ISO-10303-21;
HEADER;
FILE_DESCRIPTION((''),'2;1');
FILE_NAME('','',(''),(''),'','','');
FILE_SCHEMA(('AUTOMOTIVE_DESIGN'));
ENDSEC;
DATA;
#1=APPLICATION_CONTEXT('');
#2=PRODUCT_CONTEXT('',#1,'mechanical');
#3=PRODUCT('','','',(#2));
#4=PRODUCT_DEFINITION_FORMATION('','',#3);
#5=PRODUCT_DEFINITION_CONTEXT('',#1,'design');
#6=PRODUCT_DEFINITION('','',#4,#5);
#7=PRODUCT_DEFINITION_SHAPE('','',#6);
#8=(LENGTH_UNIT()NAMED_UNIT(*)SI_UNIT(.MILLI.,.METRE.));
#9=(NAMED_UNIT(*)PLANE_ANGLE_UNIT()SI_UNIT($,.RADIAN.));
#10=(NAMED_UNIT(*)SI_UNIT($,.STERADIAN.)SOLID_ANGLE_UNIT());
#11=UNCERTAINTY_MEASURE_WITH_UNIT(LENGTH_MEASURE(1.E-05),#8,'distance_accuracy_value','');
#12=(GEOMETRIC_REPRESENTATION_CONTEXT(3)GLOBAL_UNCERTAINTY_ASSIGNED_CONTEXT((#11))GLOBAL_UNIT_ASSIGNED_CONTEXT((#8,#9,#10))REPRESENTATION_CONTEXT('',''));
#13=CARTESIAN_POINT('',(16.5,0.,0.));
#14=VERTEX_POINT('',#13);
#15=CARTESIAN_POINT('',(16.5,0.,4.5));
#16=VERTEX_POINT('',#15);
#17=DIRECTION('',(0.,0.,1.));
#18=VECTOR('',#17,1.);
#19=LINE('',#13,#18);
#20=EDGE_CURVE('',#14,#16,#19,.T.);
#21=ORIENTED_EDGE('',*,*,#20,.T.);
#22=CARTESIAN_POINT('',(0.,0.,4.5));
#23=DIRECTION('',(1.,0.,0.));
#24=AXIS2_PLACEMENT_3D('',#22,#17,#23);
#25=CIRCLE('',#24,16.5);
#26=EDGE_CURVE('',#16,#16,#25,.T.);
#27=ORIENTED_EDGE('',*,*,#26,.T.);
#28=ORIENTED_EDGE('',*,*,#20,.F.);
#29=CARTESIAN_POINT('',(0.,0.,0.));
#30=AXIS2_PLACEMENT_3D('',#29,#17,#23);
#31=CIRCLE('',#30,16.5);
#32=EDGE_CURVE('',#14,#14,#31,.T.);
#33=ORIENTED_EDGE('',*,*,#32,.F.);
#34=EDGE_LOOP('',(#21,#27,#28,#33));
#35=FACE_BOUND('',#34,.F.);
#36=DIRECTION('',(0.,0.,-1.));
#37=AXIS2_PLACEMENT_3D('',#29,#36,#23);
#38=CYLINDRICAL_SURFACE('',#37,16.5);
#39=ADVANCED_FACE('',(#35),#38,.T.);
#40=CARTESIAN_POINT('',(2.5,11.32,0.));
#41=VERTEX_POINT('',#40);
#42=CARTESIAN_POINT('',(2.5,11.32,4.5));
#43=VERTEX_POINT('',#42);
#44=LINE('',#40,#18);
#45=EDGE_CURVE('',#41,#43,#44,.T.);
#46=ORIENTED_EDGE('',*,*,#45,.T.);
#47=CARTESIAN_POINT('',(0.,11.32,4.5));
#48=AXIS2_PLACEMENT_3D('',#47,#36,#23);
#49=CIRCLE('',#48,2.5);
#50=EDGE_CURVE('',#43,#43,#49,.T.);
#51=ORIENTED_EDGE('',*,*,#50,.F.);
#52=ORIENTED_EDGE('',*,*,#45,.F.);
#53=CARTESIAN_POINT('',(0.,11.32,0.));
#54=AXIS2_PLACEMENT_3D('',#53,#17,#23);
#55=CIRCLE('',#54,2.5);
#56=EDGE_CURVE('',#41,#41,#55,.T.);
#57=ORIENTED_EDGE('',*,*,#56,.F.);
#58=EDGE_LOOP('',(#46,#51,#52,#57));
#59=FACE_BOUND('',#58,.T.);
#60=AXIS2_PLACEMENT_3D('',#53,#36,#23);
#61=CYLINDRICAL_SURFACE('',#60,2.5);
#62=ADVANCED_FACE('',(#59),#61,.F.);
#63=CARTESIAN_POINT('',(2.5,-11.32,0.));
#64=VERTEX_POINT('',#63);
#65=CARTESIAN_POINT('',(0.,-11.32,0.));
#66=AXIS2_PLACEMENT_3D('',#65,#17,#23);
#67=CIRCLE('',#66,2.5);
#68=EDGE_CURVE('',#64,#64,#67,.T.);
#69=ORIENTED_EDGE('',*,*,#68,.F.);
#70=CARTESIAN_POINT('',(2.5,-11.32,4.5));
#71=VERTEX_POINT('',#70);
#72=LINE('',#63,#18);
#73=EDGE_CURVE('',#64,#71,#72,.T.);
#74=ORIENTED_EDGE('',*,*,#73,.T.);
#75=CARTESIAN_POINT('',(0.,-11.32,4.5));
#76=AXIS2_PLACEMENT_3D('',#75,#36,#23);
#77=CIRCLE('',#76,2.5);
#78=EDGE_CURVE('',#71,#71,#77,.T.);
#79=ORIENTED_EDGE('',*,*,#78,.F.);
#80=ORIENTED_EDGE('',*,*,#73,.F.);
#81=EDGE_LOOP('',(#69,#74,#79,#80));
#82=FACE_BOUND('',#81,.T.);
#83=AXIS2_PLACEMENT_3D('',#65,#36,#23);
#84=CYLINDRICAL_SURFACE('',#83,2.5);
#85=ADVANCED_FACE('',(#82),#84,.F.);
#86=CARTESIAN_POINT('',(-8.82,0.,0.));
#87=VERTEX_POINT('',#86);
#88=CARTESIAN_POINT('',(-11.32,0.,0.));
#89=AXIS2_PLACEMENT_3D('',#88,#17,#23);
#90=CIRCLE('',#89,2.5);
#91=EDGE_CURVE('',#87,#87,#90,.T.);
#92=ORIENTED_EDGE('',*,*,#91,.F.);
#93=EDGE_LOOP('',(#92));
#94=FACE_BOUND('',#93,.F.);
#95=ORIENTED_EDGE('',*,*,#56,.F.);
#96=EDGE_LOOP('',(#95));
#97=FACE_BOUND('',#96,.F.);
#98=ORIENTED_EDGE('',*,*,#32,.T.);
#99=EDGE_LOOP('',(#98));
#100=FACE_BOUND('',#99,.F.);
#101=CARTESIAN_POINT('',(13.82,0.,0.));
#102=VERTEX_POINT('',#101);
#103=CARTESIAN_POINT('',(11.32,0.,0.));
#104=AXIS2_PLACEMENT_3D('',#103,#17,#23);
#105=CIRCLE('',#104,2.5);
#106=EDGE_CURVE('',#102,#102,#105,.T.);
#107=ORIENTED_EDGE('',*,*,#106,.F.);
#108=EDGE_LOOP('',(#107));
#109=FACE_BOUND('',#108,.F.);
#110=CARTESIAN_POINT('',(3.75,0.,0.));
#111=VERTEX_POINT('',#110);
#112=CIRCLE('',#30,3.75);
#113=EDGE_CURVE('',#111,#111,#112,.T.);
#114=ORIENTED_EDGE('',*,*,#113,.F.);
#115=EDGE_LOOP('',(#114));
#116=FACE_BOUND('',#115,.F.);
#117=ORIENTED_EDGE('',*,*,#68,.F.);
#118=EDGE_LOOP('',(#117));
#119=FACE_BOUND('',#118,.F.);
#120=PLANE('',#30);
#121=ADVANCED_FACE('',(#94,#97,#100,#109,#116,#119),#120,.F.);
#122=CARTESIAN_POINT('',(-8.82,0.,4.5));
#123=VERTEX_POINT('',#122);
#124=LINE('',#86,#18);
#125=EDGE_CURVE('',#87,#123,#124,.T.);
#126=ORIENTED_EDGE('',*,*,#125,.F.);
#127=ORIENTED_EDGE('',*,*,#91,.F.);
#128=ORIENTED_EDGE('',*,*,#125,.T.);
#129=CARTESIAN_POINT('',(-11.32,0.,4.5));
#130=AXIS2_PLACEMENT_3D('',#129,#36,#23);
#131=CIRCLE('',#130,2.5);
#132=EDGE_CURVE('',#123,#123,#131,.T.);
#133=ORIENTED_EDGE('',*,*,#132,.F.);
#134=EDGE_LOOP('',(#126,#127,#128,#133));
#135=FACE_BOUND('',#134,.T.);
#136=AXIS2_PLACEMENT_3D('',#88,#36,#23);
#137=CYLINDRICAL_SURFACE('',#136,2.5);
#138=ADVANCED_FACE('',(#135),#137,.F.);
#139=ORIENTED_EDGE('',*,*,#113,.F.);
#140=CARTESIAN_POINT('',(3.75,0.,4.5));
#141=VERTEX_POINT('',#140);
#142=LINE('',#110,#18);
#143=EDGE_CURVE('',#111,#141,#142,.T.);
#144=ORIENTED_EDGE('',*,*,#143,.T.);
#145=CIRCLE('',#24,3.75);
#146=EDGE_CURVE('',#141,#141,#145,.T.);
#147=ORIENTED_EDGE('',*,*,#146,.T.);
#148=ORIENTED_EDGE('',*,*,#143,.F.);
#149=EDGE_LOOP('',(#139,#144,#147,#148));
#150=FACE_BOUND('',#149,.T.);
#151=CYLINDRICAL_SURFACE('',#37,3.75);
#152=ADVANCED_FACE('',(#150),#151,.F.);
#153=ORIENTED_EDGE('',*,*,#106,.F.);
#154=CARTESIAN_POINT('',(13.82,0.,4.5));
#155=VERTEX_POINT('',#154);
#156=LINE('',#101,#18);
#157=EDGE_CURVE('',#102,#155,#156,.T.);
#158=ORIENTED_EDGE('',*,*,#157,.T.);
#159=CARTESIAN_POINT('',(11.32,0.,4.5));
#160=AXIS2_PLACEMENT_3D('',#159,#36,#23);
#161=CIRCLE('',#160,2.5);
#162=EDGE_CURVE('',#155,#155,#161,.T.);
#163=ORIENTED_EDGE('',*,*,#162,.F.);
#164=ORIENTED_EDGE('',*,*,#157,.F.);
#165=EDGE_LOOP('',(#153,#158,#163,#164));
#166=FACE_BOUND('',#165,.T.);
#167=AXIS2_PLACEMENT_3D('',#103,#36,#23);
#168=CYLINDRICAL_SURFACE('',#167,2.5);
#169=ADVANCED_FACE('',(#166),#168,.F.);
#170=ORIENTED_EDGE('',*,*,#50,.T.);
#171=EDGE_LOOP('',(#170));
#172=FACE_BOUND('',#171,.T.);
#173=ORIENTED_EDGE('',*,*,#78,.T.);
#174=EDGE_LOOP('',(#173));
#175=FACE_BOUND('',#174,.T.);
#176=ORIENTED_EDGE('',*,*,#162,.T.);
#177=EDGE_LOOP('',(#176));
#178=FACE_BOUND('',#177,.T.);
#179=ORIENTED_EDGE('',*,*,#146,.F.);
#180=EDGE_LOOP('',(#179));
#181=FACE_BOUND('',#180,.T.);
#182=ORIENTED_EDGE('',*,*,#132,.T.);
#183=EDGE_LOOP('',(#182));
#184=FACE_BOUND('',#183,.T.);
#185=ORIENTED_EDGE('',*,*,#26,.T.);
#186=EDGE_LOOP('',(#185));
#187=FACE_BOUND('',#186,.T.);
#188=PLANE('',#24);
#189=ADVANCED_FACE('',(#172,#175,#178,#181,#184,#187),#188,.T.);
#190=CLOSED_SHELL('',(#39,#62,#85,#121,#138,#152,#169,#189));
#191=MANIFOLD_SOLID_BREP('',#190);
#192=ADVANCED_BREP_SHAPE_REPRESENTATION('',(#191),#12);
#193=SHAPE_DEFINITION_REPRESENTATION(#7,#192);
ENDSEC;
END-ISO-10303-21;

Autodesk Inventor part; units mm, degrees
ref_plane "YZ Plane" through (0, 0, 0) normal (1, 0, 0) x (0, 1, 0)
ref_plane "XZ Plane" through (0, 0, 0) normal (0, 1, 0) x (-1, 0, 0)
ref_plane "XY Plane" through (0, 0, 0) normal (0, 0, 1) x (1, 0, 0)
sketch "Эскиз1" plane through (0, 0, 0) normal (0, 0, 1) x (1, 0, 0)
  circle A0 centre (0, 0) radius 16.5
  circle A1 centre (0, 0) radius 3.75
  circle A2 centre (0, 0) radius 11.32
  circle A3 centre (-11.32, 0) radius 2.5
  circle A4 centre (0, -11.32) radius 2.5
  circle A5 centre (11.32, 0) radius 2.5
  circle A6 centre (0, 11.32) radius 2.5
  dimension "d2" = 22.64
  dimension "d0" = 33
  dimension "d1" = 7.5
  dimension "d3" = 5
  dimension "d6" = 360
extrude "Выдавливание1" add sketch "Эскиз1" along normal blind 4.5 contours A0 | A5 A2 A4 A3 A6
properties part number "проставка для колеса"
